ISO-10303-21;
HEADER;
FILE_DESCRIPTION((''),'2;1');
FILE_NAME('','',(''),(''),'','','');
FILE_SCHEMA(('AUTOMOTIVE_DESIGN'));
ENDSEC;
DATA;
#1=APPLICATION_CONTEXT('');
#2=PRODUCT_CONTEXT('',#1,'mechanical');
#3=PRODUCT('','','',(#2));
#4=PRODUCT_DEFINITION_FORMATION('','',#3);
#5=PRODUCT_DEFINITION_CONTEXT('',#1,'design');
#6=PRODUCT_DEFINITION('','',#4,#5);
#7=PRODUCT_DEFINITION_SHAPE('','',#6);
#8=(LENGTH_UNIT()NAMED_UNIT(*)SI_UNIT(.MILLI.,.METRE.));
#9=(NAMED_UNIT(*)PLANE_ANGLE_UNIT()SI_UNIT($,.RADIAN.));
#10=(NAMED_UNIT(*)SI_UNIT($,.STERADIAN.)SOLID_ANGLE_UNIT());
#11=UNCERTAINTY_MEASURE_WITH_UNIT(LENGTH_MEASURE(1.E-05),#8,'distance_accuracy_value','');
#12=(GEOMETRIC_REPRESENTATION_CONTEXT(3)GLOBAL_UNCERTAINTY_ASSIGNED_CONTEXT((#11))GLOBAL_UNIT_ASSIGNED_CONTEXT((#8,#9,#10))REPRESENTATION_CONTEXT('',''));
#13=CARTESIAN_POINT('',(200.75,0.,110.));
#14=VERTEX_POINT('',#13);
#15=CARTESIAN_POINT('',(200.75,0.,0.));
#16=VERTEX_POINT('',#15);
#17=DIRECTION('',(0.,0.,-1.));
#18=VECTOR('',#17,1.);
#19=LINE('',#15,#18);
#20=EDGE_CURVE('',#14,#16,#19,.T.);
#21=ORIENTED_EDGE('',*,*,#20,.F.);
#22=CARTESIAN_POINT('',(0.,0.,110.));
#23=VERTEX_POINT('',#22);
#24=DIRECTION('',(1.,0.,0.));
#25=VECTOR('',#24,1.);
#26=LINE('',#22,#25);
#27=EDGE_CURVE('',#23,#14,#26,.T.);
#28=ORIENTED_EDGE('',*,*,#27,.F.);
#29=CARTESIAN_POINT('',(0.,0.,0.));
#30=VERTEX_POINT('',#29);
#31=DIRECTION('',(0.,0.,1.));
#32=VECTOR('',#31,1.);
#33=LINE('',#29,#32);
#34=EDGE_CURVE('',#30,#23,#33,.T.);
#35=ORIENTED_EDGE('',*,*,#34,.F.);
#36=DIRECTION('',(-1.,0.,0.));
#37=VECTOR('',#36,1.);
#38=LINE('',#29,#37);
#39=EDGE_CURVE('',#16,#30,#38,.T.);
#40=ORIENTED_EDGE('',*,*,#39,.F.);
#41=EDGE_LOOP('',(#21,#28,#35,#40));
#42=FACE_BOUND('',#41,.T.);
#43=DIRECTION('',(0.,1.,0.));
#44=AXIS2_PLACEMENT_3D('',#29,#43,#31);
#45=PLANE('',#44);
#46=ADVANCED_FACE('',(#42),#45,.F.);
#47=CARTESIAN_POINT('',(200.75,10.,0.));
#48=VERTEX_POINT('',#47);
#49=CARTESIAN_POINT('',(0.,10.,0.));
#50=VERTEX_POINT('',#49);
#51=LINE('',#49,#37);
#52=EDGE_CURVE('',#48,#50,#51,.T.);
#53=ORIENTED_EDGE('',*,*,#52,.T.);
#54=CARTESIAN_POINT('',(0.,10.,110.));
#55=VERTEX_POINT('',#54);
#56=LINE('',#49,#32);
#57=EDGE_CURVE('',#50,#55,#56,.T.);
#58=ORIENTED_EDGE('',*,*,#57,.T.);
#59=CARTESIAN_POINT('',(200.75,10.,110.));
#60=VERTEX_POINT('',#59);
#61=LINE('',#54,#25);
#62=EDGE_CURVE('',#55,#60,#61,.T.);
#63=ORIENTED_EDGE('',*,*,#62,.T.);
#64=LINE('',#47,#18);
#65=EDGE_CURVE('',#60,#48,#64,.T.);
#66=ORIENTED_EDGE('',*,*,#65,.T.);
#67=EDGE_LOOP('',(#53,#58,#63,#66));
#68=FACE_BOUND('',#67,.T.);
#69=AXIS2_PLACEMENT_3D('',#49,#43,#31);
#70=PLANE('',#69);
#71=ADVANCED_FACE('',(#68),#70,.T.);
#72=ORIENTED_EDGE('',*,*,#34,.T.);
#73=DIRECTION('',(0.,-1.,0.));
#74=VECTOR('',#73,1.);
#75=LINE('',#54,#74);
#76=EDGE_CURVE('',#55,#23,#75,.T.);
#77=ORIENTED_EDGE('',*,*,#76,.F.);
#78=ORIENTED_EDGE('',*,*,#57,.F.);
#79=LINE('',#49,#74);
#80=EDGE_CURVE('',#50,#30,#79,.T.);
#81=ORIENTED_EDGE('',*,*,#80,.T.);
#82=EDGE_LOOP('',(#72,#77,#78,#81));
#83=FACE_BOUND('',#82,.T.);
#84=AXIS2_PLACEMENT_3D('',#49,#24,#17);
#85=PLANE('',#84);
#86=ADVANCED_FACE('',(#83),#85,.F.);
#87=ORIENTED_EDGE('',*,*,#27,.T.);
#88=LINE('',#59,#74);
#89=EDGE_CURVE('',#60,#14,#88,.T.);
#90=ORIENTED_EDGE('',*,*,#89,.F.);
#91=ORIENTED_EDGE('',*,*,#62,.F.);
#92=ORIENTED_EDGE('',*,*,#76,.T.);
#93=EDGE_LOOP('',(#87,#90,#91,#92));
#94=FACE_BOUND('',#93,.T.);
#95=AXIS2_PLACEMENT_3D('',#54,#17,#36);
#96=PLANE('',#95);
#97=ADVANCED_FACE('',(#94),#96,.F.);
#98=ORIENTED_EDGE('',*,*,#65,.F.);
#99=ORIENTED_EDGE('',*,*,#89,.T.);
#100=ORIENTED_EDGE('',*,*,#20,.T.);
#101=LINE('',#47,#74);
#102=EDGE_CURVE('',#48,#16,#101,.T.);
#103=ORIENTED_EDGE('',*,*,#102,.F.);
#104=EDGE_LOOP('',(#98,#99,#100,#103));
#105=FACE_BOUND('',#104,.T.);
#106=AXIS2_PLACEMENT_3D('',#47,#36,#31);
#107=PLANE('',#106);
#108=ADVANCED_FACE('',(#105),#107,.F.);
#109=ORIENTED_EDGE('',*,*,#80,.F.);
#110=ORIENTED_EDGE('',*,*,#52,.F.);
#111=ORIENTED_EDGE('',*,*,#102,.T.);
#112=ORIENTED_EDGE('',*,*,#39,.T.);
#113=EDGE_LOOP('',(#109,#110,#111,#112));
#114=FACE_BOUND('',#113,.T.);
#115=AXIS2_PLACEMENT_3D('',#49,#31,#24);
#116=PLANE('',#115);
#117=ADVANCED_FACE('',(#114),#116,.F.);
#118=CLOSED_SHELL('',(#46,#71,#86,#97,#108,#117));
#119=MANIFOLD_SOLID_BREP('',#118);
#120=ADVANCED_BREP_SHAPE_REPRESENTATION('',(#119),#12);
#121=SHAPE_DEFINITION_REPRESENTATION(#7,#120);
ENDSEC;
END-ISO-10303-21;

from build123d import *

# Parameters (mm, degrees)
SKETCH1_W           = 200.75
SKETCH1_H           = 110
BOSS_EXTRUDE1_DEPTH = 10


with BuildPart() as part:
    # Sketch1 → Boss-Extrude1 (new body)
    with BuildSketch(Plane(origin=(0, 0, 0), x_dir=(1, 0, 0), z_dir=(0, 1, 0))):
        with Locations((100.375, -55)):
            Rectangle(SKETCH1_W, SKETCH1_H)
    extrude(amount=BOSS_EXTRUDE1_DEPTH)


solid = part.part
